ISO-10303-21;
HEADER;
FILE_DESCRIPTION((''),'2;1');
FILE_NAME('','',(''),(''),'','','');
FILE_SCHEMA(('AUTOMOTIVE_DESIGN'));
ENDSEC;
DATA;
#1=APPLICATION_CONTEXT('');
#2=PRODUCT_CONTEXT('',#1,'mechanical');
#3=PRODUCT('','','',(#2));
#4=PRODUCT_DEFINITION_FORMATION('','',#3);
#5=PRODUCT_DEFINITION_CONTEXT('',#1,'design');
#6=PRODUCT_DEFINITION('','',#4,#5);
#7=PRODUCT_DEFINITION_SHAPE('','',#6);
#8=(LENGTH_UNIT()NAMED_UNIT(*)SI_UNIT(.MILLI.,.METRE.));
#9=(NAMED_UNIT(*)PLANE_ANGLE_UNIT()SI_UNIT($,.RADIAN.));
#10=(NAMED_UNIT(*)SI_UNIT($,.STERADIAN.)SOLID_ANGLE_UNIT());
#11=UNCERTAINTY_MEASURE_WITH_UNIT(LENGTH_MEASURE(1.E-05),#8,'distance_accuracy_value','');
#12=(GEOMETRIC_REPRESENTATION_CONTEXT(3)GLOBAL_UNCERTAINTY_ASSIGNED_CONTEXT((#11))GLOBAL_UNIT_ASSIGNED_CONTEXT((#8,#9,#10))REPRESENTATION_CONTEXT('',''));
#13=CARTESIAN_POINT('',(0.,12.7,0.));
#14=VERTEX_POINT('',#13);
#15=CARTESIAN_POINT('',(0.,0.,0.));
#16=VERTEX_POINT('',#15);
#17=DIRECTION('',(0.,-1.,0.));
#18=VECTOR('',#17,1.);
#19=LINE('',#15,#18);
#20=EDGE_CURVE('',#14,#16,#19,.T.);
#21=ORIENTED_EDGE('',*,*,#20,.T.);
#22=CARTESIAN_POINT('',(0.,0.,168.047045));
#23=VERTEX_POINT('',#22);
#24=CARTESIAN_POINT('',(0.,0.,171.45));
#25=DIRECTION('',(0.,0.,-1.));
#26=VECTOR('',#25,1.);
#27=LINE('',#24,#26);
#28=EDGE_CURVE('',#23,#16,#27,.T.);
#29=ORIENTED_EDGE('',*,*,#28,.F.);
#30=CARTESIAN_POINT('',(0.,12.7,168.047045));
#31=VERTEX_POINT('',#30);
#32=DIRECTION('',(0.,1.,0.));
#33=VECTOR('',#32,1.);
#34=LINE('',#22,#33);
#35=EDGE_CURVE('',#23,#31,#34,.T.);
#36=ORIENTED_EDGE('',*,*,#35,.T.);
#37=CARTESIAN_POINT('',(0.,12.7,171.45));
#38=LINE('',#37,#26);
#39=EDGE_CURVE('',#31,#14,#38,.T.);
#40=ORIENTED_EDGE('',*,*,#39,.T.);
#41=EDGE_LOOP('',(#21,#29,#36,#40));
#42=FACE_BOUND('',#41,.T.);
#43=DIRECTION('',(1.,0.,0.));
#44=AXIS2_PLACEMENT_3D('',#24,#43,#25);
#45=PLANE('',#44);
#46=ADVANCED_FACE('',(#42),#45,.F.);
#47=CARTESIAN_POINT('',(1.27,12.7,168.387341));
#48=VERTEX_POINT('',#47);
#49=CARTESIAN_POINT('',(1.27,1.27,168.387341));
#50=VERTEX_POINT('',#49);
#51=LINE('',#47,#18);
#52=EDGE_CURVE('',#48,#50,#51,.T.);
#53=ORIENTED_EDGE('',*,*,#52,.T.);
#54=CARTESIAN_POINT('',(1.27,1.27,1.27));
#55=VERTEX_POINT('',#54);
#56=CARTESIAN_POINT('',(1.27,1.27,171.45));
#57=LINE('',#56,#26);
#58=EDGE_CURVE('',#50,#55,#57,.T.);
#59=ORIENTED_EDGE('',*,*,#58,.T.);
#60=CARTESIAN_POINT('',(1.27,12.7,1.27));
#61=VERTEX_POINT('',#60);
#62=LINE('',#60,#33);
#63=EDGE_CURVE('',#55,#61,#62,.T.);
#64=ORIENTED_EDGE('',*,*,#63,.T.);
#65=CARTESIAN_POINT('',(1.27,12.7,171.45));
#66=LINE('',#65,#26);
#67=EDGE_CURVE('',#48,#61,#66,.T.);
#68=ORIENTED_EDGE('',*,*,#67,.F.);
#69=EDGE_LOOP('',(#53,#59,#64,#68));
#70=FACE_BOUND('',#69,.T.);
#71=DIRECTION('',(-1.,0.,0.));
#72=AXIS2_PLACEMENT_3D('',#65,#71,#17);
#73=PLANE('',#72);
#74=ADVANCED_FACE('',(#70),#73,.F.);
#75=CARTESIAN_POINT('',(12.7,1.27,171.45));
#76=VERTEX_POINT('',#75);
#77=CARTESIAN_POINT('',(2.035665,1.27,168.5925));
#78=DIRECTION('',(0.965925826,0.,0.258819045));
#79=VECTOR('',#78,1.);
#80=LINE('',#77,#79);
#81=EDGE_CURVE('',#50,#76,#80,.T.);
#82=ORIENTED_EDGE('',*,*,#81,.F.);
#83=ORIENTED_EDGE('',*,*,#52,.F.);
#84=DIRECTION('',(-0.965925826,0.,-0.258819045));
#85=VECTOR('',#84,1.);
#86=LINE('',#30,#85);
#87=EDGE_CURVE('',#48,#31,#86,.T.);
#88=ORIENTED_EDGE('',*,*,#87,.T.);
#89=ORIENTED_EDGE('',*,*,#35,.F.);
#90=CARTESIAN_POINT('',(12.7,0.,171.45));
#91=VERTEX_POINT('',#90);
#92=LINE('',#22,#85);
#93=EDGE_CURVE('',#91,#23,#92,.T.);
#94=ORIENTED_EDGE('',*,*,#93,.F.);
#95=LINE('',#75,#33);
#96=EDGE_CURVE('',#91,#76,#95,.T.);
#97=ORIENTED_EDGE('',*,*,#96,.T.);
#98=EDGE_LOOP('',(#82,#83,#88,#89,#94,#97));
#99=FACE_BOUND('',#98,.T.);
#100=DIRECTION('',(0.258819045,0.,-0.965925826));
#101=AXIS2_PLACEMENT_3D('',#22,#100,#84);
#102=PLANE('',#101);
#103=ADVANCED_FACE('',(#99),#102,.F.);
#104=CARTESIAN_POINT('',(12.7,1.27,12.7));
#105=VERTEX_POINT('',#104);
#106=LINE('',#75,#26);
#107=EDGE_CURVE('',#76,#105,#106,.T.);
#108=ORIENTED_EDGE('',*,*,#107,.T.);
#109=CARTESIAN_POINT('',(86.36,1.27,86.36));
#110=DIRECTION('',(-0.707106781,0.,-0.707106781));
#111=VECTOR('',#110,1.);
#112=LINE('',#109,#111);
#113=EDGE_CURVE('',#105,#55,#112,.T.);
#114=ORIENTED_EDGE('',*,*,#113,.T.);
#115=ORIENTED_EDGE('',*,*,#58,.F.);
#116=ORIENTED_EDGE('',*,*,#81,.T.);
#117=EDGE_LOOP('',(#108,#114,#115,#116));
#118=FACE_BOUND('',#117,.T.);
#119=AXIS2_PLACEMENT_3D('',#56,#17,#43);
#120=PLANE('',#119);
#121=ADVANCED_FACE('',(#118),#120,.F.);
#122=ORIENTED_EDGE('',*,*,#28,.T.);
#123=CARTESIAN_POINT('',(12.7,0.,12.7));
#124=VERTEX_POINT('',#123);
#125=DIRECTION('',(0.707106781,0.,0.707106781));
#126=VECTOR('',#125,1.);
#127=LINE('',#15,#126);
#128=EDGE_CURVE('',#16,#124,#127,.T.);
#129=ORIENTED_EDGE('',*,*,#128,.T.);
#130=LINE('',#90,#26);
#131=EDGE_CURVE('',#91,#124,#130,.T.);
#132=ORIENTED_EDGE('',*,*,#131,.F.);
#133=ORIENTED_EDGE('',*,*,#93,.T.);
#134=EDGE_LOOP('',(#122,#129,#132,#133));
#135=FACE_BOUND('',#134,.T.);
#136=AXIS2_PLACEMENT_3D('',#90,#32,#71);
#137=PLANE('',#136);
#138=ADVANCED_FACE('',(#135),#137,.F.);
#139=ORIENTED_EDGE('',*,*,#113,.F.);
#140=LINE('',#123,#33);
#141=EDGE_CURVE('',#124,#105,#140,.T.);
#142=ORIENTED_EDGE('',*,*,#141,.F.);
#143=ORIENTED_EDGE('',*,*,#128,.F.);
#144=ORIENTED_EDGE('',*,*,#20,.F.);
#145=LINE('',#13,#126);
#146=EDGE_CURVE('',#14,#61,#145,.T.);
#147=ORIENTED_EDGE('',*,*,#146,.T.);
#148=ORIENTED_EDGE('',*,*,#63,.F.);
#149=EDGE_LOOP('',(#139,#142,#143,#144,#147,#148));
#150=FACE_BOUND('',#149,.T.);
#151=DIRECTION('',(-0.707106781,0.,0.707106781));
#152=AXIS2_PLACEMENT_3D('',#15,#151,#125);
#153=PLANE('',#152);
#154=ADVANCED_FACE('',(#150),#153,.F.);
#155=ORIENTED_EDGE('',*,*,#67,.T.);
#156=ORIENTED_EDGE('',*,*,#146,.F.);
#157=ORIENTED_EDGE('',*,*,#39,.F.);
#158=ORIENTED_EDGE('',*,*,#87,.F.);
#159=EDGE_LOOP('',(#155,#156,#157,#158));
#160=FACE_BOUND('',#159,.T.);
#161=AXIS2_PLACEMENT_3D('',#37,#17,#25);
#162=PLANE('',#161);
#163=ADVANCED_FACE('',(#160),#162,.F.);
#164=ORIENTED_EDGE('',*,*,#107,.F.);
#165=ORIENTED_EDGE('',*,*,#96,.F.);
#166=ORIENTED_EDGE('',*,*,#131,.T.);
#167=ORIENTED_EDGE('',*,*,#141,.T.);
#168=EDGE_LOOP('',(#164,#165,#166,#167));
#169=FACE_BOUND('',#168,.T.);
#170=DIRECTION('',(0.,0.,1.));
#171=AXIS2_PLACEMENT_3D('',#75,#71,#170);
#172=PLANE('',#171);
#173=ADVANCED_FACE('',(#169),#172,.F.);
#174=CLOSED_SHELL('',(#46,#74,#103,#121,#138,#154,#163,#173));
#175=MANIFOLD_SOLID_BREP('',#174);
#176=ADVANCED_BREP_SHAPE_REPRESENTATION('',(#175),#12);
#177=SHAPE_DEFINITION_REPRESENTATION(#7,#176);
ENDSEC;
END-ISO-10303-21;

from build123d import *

# Parameters (mm, degrees)
BOSS_EXTRUDE1_DEPTH     = 171.45
CUT_EXTRUDE1_DEPTH      = 173.299266975
CUT_EXTRUDE1_DEPTH_BACK = 173.299266975


with BuildPart() as part:
    # Sketch1 → Boss-Extrude1 (new body)
    with BuildSketch(Plane.XY):
        Polygon((0, 0), (0, 12.7), (1.27, 12.7), (1.27, 1.27), (12.7, 1.27), (12.7, 0), align=None)
    extrude(amount=BOSS_EXTRUDE1_DEPTH)

    # Sketch2 → Cut-Extrude1 (cut, two sides: drawn at the far end of the back side and taken through both)
    with BuildSketch(Plane(origin=(0, 1.27, 0), x_dir=(1, 0, 0), z_dir=(0, 1, 0)).offset(-CUT_EXTRUDE1_DEPTH_BACK)):
        Polygon((0, -168.047045256), (12.7, -171.45), (0, -171.45), align=None)
        Polygon((0, 0), (12.7, -12.7), (12.7, 0), align=None)
    extrude(amount=CUT_EXTRUDE1_DEPTH + CUT_EXTRUDE1_DEPTH_BACK, mode=Mode.SUBTRACT)


solid = part.part
